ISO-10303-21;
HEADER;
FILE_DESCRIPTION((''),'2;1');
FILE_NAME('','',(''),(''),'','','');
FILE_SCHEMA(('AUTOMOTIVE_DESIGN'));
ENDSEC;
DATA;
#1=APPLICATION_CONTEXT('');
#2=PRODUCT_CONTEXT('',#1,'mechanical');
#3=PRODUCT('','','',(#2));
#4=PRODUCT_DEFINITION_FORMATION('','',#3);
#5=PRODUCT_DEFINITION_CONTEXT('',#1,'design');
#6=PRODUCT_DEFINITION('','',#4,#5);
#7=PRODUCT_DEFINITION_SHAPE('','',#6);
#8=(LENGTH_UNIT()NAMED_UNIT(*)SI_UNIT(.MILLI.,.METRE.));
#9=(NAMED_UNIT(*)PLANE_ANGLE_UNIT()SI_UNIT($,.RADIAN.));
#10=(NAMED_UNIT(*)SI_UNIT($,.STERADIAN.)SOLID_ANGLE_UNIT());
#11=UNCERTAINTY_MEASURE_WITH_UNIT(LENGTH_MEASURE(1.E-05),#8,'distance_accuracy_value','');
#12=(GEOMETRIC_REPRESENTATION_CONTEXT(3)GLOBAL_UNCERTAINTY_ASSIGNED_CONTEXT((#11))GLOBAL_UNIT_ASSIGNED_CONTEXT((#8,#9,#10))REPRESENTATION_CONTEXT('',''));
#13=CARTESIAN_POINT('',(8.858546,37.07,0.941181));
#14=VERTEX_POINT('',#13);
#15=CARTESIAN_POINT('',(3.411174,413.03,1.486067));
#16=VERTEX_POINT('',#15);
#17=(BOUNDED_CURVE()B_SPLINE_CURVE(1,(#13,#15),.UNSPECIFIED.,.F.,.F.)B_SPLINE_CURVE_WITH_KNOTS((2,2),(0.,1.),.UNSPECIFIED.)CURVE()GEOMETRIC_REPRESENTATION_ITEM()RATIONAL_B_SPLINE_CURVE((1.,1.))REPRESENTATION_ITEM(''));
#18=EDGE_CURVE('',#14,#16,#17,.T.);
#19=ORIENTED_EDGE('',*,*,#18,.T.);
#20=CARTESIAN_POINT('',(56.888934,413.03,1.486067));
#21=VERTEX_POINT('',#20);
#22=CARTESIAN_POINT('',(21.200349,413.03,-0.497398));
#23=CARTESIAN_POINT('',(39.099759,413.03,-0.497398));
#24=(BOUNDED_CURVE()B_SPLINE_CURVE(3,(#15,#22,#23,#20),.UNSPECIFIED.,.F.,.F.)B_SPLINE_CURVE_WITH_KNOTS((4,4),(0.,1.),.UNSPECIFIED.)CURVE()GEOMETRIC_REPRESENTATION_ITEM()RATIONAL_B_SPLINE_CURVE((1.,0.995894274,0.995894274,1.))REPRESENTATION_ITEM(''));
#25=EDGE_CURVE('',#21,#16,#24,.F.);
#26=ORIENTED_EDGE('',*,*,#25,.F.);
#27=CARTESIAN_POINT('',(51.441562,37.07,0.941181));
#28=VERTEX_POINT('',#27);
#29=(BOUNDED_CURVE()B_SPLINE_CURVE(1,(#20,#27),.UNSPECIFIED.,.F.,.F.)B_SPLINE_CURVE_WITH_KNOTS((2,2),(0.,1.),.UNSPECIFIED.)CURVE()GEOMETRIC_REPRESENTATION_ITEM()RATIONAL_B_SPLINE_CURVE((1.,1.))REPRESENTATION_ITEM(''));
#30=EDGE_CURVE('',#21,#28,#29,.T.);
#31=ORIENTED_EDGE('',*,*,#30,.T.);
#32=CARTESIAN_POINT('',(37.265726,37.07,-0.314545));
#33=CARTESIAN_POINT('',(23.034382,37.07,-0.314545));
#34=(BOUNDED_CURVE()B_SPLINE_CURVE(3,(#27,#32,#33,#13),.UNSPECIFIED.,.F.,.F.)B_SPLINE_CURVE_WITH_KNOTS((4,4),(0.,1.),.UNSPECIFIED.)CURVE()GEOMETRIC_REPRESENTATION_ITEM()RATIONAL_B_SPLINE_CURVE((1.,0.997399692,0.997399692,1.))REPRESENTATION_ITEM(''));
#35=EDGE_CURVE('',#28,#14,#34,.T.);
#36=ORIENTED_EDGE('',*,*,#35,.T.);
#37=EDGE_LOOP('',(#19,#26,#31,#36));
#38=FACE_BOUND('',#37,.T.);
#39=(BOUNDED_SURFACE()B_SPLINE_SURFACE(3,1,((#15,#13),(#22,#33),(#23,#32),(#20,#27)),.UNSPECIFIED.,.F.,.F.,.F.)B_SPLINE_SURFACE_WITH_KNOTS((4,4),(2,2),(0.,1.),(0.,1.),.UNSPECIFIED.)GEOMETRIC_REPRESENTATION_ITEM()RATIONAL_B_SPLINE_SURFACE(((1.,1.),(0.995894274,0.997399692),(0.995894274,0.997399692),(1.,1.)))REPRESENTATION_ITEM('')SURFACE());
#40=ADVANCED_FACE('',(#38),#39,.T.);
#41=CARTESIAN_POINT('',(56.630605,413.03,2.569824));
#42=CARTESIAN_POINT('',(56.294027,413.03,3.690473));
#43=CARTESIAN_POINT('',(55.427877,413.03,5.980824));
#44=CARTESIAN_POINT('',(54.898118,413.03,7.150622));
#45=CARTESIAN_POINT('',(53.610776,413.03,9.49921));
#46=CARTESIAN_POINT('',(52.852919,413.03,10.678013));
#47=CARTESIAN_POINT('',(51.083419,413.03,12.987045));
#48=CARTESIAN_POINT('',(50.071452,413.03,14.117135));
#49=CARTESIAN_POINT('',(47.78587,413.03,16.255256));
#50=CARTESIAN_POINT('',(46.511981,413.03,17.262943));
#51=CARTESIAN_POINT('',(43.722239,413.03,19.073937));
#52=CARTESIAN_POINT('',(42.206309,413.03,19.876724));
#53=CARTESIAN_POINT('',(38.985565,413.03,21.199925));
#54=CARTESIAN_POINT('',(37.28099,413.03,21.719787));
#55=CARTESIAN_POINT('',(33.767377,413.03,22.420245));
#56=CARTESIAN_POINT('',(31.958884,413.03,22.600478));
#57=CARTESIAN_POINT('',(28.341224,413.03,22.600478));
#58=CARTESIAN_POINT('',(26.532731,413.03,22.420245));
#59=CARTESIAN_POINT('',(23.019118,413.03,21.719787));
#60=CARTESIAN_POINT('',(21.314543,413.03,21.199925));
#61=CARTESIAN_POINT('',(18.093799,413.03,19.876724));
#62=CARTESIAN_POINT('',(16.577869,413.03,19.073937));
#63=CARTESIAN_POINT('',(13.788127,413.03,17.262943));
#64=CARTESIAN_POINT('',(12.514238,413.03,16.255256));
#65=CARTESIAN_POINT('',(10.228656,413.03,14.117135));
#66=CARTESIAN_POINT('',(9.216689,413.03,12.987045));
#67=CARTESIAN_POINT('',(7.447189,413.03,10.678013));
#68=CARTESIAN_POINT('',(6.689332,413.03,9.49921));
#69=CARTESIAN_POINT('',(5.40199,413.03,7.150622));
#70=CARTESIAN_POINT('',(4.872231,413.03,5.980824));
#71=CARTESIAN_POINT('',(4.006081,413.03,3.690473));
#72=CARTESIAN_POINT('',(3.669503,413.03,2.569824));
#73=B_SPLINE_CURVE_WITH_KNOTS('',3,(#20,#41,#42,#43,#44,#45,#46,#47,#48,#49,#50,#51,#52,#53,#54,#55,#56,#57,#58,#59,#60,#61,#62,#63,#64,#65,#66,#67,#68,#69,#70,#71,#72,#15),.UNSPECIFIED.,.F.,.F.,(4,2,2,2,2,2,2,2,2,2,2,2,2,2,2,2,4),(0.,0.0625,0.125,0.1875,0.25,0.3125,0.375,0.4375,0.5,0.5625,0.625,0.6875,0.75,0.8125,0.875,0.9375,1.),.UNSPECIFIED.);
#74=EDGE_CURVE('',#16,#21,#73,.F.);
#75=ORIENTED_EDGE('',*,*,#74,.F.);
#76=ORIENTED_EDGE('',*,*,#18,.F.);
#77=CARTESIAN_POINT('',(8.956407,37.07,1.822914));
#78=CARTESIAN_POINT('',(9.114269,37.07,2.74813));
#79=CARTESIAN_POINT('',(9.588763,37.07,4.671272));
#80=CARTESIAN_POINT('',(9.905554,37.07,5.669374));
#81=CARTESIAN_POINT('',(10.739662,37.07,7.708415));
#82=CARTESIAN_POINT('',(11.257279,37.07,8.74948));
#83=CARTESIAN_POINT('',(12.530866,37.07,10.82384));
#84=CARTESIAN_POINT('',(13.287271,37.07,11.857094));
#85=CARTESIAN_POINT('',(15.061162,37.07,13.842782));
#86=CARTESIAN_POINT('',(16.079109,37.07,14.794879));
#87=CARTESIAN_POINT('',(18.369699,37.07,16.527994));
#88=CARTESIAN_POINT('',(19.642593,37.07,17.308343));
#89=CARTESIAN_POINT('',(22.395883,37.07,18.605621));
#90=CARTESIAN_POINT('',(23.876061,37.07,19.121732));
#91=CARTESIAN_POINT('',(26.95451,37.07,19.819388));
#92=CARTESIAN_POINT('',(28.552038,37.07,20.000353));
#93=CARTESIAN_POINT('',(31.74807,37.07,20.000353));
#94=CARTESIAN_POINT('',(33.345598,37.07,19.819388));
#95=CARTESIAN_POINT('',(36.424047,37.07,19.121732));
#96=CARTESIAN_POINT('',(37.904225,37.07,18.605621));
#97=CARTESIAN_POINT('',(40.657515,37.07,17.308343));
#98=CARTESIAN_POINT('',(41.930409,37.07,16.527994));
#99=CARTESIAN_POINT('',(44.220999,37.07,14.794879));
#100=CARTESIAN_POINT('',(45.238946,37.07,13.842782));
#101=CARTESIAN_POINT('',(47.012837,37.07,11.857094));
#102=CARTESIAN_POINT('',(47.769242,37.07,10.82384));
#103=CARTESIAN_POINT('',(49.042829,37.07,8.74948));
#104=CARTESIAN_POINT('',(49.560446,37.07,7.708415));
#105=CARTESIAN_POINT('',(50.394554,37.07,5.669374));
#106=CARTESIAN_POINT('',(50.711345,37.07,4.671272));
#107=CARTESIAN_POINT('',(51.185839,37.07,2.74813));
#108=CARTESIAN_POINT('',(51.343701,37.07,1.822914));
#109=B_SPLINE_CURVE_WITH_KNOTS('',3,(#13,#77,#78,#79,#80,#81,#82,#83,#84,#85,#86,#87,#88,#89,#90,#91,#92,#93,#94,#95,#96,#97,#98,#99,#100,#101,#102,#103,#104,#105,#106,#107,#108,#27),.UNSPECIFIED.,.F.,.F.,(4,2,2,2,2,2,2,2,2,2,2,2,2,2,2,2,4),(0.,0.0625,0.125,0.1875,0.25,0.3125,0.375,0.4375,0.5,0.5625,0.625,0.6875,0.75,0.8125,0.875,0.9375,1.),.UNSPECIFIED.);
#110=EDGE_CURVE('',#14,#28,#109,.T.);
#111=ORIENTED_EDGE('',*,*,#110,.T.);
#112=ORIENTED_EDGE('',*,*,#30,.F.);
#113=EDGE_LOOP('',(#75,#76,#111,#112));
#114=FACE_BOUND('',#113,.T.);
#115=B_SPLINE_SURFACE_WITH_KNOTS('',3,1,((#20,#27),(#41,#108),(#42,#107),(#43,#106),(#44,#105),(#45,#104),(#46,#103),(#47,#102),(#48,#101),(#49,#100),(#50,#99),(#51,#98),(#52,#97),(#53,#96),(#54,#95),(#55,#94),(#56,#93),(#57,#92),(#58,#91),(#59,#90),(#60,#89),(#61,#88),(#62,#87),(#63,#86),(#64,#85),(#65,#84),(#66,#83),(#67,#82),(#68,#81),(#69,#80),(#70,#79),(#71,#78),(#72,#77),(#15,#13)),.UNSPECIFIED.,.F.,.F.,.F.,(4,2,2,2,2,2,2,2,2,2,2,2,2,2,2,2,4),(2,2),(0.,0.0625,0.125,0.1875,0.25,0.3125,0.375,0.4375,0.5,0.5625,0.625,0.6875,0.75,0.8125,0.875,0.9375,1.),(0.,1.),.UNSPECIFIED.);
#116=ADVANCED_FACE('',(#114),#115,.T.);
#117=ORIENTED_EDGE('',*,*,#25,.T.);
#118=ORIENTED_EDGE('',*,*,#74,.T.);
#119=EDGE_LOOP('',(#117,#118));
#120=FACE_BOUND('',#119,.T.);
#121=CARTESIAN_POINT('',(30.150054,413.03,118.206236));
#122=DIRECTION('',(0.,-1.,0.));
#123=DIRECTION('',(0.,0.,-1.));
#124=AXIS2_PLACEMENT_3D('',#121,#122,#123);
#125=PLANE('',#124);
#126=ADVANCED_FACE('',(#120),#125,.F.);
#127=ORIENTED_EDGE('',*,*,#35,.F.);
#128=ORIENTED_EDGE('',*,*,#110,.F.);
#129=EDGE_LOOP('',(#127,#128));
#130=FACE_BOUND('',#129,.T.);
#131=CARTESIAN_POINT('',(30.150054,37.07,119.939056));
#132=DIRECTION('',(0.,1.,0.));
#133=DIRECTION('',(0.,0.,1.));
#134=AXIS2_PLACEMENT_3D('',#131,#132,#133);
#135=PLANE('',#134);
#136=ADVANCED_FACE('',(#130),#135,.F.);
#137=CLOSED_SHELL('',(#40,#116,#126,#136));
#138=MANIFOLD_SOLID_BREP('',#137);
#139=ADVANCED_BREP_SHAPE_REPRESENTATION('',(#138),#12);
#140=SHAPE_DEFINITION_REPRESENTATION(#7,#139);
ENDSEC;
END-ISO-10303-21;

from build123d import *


with BuildPart() as part:
    # Sketch4 for Loft1 → Loft1 section 0
    with BuildSketch(Plane(origin=(0, 413.03, 0), x_dir=(1, 0, 0), z_dir=(0, 1, 0))):
        with BuildLine():
            # circular arc as an exact rational Bezier (weights 1, cos(half-angle), 1)
            Bezier((3.411173818, -1.486067363), (30.150054, 1.495276154), (56.888934182, -1.486067363), weights=[1, 0.993841412, 1])
            Bezier((56.888934182, -1.486067363), (30.150054, -113.662589607), (3.411173818, -1.486067363), weights=[1, 0.231868224, 1])
        make_face()
    # Sketch2 for Loft1 → Loft1 section 1
    with BuildSketch(Plane(origin=(0, 37.07, 0), x_dir=(1, 0, 0), z_dir=(0, 1, 0))):
        with BuildLine():
            Bezier((51.441561571, -0.941181345), (30.150054, 0.944866761), (8.858546429, -0.941181345), weights=[1, 0.996099539, 1])
            Bezier((8.858546429, -0.941181345), (30.150054, -192.779980086), (51.441561571, -0.941181345), weights=[1, 0.110309138, 1])
        make_face()
    loft()


solid = part.part
